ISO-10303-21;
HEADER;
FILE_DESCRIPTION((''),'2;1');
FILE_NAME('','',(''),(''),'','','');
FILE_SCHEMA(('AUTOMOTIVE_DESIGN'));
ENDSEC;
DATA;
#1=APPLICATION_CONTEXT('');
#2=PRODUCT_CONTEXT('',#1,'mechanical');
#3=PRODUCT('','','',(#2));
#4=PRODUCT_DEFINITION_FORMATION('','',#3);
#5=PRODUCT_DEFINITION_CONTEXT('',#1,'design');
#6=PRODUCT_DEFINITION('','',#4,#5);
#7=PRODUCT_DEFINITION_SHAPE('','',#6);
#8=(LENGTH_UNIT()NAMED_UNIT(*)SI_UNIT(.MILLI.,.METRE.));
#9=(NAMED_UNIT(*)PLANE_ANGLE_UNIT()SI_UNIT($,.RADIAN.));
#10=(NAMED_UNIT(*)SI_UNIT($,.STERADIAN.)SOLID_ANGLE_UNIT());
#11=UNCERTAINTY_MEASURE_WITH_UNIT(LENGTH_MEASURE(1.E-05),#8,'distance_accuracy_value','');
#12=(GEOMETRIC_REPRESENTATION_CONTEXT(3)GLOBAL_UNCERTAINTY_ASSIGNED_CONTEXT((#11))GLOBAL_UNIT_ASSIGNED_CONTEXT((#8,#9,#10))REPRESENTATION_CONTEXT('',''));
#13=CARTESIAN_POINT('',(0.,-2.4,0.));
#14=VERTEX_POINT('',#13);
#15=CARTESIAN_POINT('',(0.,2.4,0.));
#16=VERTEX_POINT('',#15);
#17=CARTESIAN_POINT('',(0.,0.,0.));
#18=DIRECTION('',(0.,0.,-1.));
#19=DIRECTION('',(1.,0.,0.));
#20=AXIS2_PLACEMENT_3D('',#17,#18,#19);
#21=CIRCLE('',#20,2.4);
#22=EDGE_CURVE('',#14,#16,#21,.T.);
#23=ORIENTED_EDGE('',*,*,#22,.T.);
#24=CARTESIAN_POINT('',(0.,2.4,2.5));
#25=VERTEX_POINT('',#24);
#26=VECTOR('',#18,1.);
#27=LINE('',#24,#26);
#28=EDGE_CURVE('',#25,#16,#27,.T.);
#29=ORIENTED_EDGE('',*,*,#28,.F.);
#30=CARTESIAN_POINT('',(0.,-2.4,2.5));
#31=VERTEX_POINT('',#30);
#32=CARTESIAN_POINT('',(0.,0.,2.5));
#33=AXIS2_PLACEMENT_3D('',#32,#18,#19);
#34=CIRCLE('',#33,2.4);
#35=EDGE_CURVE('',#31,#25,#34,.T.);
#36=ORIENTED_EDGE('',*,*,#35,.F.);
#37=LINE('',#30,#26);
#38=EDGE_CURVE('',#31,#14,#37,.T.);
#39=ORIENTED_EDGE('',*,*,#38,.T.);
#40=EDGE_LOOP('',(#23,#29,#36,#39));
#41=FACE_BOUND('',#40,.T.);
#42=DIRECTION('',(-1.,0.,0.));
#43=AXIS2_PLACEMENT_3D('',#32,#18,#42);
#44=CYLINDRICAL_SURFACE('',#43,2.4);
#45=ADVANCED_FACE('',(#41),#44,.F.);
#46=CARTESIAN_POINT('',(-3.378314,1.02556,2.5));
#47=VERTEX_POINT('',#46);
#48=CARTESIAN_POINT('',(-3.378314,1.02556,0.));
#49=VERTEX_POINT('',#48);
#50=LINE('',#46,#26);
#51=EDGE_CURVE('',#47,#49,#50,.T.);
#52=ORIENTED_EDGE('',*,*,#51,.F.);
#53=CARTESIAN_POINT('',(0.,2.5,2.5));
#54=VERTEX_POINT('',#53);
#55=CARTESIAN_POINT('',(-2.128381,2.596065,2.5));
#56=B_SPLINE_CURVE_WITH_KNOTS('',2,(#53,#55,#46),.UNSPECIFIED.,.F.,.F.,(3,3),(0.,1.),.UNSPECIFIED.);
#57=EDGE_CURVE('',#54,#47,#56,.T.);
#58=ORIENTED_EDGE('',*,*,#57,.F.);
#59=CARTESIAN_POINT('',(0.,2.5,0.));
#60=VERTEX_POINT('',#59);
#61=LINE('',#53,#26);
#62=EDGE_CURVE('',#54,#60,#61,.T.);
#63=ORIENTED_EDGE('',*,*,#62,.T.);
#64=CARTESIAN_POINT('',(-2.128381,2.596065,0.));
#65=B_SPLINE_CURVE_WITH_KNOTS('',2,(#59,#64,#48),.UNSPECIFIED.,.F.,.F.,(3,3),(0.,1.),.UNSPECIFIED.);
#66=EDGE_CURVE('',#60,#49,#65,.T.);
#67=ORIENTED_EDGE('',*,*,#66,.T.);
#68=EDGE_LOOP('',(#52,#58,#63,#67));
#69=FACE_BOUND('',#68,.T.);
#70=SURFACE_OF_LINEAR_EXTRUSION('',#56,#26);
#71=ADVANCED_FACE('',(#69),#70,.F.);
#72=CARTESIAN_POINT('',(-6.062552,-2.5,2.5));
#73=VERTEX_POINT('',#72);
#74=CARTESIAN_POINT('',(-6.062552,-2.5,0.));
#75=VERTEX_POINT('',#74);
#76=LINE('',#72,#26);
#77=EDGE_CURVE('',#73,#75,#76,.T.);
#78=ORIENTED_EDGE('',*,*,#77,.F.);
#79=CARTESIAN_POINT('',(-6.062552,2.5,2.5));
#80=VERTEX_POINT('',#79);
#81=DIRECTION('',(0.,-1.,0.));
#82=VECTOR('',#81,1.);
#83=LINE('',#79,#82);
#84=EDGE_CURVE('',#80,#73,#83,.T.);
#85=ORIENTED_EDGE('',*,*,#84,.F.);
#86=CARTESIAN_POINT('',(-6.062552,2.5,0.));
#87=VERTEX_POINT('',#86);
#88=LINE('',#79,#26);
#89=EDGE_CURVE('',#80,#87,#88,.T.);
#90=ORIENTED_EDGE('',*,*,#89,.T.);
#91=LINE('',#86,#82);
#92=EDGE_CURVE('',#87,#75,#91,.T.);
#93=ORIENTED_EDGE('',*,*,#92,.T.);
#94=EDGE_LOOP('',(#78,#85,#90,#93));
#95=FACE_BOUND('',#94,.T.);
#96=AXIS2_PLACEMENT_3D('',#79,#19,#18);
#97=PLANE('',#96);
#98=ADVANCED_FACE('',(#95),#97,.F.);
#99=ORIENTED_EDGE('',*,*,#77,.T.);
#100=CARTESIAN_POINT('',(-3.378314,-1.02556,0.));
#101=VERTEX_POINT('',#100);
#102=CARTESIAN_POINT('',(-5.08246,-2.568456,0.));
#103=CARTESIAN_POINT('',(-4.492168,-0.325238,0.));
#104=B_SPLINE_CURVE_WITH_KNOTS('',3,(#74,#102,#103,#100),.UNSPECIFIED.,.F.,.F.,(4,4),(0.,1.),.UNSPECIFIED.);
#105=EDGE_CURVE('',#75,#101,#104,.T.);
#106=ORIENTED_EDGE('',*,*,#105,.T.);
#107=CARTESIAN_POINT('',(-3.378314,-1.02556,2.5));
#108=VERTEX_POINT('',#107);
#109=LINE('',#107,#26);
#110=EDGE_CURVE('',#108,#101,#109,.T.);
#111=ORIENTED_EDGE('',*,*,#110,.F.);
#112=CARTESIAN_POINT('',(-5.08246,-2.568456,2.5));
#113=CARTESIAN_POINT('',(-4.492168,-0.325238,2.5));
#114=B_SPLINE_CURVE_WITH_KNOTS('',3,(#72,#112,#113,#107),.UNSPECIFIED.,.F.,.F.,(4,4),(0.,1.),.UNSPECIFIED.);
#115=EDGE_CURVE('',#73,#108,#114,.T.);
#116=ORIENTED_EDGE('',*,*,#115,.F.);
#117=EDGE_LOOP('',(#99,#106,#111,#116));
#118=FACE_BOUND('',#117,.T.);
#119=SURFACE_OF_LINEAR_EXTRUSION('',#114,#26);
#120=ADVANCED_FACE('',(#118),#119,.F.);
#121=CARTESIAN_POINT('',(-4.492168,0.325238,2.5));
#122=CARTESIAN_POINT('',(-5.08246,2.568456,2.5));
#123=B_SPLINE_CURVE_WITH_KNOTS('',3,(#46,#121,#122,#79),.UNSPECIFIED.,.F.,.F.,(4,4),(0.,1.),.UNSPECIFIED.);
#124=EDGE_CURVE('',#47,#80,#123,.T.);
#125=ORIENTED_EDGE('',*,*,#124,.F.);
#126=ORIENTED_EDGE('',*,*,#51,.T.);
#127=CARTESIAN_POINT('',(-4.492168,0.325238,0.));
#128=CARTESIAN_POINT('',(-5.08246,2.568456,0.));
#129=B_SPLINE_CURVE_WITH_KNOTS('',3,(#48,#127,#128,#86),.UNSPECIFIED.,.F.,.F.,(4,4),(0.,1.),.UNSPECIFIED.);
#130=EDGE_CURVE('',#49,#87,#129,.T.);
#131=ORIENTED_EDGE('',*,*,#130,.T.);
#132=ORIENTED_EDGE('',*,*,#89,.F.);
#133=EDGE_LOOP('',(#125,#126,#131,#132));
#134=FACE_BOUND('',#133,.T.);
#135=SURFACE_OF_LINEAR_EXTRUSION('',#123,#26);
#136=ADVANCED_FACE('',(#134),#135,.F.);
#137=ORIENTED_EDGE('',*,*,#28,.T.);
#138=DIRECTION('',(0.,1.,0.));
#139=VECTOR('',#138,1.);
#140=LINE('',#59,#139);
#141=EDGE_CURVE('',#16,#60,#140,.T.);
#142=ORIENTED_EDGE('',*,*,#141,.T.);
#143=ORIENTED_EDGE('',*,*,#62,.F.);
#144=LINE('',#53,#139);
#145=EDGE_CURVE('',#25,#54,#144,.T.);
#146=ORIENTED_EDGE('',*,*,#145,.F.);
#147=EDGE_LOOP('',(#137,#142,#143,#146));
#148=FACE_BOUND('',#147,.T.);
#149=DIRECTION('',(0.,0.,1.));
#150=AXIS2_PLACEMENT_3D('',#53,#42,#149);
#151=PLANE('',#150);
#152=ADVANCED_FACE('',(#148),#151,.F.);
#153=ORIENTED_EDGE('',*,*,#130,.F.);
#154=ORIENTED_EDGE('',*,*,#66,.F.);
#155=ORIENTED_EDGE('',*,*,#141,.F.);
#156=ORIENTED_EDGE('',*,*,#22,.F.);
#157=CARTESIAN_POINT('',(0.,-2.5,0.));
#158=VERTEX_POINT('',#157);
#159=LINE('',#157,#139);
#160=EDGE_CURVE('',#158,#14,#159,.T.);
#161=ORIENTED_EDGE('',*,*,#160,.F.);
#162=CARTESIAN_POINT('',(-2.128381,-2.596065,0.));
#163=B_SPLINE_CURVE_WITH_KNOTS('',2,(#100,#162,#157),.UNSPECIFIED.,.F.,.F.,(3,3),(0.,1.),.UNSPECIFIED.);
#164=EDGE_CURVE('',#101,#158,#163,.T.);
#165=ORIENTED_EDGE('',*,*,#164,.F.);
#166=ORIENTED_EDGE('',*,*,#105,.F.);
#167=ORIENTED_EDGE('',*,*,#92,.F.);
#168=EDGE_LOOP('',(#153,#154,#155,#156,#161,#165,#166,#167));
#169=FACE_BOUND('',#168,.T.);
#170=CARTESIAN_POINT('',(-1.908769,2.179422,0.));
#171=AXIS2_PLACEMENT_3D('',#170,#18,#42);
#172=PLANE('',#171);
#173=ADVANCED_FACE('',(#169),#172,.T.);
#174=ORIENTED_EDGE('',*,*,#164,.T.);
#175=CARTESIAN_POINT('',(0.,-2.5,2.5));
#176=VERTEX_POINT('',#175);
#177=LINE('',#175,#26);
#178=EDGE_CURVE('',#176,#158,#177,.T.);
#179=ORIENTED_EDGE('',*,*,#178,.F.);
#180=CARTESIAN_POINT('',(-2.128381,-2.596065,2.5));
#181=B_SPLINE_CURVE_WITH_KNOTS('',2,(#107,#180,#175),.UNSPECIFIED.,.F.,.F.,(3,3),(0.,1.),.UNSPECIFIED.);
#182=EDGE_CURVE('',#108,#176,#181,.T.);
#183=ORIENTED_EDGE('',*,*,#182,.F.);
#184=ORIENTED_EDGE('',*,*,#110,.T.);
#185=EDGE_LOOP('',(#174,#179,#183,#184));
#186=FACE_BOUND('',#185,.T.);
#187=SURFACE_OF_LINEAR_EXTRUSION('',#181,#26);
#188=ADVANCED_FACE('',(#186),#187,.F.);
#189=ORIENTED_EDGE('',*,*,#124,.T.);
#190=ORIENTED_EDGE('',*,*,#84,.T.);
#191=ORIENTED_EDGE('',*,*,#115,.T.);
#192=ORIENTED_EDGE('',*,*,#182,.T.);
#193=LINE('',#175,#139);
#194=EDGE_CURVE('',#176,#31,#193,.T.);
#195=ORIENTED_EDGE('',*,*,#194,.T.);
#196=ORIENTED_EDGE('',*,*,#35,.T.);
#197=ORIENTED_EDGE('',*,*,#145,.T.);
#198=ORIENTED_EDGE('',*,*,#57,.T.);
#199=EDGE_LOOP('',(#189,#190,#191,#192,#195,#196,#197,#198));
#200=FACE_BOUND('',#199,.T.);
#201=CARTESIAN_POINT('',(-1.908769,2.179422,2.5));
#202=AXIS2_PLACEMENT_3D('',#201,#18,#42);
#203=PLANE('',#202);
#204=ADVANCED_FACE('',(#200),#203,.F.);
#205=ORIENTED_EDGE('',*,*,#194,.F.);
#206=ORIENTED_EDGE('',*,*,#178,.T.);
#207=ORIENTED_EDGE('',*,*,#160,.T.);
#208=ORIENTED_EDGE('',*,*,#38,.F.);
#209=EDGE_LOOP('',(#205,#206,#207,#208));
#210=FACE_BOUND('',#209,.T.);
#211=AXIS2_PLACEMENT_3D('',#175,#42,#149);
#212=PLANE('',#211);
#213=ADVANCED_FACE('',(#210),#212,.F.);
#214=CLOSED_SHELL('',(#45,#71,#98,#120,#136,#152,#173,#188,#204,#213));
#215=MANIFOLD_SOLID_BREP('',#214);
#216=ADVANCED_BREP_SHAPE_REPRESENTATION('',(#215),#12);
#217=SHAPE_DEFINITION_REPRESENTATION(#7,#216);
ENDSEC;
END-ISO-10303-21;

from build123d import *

# Parameters (mm, degrees)
BOSS_EXTRUDE1_DEPTH = 2.5


with BuildPart() as part:
    # Sketch1 → Boss-Extrude1 (new body)
    with BuildSketch(Plane.XY):
        with BuildLine():
            Line((-6.062552239, 2.5), (-6.062552239, -2.5))
            add(Edge.make_bspline(
                [(-3.378314474, -1.025559537), (-4.49216768, -0.325238314), (-5.082460235, -2.568455815), (-6.062552239, -2.5)],
                knots=[0, 0, 0, 0, 1, 1, 1, 1], degree=3))
            add(Edge.make_bspline(
                [(0, -2.5), (-2.128381344, -2.596064875), (-3.378314474, -1.025559537)],
                knots=[0, 0, 0, 1, 1, 1], degree=2))
            Line((0, -2.5), (0, -2.4))
            ThreePointArc((0, -2.4), (-2.4, 0), (0, 2.4))
            Line((0, 2.4), (0, 2.5))
            add(Edge.make_bspline(
                [(0, 2.5), (-2.128381344, 2.596064875), (-3.378314474, 1.025559537)],
                knots=[0, 0, 0, 1, 1, 1], degree=2))
            add(Edge.make_bspline(
                [(-3.378314474, 1.025559537), (-4.49216768, 0.325238314), (-5.082460235, 2.568455815), (-6.062552239, 2.5)],
                knots=[0, 0, 0, 0, 1, 1, 1, 1], degree=3))
        make_face()
    extrude(amount=BOSS_EXTRUDE1_DEPTH)


solid = part.part
